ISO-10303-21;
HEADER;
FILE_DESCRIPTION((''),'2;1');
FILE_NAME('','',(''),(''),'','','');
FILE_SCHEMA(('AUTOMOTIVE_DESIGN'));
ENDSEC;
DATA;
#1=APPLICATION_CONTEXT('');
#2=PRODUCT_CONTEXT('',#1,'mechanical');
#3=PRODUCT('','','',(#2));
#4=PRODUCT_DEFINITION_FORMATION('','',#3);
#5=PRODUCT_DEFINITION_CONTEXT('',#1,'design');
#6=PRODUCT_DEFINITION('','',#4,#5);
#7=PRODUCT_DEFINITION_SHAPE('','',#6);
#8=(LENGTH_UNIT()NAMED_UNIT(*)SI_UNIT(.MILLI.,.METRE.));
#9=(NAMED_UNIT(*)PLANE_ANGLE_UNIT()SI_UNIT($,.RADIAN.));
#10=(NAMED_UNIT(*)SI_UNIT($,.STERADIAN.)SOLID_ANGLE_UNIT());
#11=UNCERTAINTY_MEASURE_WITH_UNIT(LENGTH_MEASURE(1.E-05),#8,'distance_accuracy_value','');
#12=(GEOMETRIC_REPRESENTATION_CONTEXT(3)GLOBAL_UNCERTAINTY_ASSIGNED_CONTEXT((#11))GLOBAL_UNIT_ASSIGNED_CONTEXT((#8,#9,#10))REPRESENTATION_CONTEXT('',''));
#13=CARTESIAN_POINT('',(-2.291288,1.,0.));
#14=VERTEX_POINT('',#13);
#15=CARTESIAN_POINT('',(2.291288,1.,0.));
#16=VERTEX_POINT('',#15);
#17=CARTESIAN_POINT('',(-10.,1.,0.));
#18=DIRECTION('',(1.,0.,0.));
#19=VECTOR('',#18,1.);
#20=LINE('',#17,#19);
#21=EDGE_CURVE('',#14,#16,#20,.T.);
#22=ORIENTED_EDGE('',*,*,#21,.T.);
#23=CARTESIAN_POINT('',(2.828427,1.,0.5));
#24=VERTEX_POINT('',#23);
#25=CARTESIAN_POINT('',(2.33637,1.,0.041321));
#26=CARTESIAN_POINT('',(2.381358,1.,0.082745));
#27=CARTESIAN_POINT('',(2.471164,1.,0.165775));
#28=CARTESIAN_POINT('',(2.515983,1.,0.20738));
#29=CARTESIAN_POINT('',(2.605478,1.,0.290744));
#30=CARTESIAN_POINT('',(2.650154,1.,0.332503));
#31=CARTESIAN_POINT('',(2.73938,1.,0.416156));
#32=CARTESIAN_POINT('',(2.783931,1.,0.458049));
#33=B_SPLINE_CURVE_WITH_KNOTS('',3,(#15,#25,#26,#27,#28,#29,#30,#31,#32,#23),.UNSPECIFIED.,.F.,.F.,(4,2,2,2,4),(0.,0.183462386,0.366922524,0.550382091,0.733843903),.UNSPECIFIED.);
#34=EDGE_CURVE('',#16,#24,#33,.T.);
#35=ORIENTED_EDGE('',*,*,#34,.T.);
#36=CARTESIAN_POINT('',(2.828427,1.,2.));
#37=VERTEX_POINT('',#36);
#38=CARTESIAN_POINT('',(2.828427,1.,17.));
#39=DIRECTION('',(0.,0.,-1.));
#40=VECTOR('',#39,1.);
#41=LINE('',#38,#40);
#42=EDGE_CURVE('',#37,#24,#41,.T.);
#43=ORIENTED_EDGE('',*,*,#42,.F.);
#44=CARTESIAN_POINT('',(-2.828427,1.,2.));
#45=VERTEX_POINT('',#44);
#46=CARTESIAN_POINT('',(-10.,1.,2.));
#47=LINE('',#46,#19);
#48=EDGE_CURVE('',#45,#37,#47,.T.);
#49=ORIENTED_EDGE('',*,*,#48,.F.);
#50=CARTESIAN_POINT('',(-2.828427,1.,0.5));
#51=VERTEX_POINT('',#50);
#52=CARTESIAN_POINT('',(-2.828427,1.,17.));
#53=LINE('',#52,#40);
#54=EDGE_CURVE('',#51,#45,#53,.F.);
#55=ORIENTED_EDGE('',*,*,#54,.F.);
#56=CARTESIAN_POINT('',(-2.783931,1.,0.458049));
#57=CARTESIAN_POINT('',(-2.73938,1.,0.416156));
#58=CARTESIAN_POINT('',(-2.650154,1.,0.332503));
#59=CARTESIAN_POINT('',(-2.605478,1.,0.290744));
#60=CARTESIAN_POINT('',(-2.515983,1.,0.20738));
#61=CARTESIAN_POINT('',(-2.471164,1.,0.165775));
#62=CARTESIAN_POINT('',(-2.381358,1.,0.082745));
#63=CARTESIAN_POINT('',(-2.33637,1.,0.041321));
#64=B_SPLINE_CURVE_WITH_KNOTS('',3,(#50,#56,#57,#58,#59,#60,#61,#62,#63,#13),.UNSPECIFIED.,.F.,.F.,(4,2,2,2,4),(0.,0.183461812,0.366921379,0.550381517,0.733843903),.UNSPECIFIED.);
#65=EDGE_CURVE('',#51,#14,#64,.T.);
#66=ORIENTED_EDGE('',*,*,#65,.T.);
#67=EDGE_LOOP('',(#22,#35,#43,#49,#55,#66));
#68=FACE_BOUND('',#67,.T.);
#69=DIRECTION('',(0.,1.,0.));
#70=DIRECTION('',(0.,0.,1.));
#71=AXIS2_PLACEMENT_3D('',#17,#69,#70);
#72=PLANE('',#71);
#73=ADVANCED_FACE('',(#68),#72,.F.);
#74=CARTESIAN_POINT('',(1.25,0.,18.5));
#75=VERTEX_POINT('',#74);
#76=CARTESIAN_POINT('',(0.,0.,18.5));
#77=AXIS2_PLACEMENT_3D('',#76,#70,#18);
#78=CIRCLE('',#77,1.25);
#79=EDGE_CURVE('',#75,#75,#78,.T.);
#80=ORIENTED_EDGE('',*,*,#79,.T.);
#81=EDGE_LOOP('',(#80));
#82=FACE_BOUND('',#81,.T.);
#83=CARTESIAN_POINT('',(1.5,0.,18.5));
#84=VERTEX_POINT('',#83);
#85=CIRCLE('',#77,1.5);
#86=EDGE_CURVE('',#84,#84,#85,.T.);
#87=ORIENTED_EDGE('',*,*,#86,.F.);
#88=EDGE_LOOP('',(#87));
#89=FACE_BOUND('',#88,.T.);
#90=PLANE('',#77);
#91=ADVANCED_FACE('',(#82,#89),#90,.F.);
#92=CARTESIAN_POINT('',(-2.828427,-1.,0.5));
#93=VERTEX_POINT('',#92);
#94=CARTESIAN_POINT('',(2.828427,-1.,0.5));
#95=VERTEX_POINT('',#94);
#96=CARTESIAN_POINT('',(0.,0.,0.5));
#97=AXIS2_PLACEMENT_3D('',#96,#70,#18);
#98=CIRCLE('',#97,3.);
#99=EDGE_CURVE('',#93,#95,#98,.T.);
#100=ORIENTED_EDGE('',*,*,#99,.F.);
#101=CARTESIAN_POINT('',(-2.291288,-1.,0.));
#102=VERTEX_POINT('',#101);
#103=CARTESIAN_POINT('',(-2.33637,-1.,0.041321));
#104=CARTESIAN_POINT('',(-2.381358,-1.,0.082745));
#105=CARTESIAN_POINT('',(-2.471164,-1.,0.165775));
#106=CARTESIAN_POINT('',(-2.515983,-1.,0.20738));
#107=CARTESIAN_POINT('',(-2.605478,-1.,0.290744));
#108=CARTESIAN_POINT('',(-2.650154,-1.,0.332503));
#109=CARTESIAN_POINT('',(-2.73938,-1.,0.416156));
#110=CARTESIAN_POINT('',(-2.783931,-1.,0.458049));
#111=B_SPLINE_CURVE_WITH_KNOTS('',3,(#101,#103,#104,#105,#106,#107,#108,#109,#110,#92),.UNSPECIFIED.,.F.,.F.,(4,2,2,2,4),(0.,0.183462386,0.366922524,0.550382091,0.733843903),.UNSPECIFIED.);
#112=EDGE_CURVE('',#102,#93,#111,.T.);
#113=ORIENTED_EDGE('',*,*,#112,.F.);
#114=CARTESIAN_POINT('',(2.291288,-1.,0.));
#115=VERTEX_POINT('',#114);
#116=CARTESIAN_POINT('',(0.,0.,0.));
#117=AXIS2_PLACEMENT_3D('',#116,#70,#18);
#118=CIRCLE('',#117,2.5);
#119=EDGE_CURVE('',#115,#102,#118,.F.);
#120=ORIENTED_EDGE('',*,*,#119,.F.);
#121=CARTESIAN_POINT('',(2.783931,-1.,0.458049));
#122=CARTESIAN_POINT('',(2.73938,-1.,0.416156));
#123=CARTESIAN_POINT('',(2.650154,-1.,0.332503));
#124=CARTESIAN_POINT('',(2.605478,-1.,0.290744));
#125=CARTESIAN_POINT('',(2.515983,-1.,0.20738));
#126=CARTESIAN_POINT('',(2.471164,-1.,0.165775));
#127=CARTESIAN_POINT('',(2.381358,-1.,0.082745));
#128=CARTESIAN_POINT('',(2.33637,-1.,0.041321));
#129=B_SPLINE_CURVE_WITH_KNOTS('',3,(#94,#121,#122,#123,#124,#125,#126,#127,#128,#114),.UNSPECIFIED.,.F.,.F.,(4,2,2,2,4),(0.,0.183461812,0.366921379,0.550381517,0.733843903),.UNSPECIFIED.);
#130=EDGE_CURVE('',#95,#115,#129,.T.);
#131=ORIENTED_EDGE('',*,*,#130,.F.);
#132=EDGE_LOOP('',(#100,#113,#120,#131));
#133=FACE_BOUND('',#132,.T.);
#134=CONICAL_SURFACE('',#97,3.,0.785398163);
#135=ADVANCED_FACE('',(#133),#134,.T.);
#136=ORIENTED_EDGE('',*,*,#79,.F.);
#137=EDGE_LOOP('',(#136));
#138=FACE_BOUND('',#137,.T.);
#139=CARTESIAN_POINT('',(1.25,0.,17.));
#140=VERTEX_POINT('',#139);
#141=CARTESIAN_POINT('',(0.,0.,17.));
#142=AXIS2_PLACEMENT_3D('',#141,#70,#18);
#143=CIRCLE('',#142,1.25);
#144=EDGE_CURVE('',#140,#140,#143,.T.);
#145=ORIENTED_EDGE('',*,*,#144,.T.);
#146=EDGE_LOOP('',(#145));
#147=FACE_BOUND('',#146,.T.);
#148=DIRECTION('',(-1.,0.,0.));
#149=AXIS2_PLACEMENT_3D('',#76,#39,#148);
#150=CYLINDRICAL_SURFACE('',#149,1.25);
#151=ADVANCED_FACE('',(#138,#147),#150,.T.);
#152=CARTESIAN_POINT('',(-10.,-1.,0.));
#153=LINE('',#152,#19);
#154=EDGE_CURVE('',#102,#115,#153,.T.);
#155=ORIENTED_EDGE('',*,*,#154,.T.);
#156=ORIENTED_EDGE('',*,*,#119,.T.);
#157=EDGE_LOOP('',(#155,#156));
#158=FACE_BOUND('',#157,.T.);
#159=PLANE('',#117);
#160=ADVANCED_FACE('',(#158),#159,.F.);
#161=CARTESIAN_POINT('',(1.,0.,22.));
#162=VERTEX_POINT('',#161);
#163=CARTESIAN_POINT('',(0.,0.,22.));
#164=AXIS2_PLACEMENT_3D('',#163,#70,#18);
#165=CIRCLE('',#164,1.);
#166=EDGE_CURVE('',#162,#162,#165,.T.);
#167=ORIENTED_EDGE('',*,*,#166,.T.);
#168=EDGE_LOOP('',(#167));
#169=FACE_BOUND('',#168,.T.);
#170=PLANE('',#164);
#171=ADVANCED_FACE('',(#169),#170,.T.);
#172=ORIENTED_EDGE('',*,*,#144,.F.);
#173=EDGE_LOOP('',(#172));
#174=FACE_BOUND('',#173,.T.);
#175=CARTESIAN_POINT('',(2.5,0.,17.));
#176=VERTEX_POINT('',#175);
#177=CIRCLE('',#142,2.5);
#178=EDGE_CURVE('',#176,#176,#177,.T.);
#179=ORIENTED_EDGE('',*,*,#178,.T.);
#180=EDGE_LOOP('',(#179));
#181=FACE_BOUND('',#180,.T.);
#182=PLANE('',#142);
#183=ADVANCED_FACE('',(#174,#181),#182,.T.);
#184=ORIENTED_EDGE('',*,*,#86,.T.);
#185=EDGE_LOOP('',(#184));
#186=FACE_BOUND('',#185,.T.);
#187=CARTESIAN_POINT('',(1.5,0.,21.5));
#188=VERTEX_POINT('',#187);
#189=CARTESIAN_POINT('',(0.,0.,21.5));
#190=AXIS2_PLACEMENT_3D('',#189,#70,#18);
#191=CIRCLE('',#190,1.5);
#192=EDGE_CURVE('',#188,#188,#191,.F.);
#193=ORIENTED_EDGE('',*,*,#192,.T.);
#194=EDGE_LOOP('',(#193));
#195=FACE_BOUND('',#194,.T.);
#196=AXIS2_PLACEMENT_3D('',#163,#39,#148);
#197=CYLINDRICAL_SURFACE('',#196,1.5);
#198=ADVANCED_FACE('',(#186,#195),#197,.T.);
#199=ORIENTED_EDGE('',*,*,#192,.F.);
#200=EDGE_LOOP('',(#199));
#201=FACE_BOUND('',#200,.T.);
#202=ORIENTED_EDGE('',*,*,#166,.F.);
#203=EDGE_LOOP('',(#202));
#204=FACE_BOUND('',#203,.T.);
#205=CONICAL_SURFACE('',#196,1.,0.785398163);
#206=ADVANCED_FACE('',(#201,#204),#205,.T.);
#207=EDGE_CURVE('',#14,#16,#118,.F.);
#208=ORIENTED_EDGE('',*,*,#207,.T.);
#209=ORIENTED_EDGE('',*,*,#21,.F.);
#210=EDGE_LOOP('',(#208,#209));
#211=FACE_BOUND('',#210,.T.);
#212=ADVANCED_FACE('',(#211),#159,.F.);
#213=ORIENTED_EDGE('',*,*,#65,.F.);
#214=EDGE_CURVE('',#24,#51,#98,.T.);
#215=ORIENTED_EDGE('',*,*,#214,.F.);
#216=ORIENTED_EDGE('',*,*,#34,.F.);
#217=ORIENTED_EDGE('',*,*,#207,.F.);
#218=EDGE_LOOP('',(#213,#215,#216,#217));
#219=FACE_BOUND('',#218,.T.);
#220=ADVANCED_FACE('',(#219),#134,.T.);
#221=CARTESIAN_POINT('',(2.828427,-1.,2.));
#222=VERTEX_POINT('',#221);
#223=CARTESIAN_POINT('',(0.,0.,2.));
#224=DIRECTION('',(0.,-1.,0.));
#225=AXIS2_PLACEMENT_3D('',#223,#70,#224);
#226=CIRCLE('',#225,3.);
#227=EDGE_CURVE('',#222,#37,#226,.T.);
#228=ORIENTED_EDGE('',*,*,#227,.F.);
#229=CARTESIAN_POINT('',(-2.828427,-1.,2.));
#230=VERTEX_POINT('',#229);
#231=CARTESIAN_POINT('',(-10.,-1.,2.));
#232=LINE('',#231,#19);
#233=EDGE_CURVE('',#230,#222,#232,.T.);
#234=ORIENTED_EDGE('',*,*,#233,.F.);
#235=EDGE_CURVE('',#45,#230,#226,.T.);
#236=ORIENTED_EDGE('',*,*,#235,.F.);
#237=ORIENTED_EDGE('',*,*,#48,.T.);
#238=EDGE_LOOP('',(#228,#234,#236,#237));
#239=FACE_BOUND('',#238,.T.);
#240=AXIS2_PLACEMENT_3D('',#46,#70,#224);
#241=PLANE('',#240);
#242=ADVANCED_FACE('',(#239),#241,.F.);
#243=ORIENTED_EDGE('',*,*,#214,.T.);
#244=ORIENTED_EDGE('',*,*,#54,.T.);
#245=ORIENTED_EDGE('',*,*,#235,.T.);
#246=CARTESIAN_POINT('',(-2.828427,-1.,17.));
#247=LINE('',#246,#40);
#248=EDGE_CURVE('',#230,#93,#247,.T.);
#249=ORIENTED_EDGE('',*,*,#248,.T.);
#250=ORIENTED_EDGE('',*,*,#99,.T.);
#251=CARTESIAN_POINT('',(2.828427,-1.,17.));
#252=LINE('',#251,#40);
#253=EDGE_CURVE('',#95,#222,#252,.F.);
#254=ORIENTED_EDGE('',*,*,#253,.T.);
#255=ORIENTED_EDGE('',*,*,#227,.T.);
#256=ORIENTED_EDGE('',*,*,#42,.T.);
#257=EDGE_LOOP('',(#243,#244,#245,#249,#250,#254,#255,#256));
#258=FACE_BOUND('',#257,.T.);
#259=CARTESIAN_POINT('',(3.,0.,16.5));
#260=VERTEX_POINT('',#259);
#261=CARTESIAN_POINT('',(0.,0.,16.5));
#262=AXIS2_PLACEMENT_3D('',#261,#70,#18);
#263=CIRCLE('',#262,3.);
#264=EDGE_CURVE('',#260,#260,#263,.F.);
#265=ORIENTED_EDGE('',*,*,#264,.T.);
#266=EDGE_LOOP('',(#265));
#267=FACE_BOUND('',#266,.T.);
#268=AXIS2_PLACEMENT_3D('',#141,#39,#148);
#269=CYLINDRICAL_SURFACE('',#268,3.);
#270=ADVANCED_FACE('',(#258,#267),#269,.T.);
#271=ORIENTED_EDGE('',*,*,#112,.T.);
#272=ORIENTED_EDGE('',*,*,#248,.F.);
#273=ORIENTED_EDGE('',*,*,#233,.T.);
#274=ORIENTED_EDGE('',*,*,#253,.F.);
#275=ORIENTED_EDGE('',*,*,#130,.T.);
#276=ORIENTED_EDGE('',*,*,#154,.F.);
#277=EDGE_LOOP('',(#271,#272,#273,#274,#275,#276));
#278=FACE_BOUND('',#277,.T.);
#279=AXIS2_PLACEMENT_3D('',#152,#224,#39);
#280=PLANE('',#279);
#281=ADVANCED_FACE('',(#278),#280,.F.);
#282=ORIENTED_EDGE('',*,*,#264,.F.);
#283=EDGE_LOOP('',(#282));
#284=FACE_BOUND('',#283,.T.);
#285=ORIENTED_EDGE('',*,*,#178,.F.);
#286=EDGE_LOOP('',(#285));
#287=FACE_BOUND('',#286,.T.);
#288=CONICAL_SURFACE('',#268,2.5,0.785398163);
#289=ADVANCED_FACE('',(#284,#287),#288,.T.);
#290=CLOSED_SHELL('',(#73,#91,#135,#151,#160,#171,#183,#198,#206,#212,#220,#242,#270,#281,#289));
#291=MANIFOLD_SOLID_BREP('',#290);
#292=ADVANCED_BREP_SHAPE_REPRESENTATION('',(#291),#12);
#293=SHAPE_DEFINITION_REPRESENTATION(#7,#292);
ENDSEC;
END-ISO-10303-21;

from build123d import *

# Parameters (mm, degrees)
SKETCH_1_R          = 3
EXTRUDE_1_DEPTH     = 17
SKETCH_2_R          = 1.5
EXTRUDE_2_DEPTH     = 5
CHAMFER_1_SIZE      = 0.5
SKETCH_3_R          = 1.5
SKETCH_3_R_2        = 1.25
CUT_EXTRUDE_3_DEPTH = 1.5
SKETCH_4_W          = 2
SKETCH_4_H          = 2
CUT_EXTRUDE_4_DEPTH = 10
CHAMFER_2_SIZE      = 0.5


with BuildPart() as part:
    # 草图1 → 拉伸1 (new body)
    with BuildSketch(Plane.XY):
        Circle(SKETCH_1_R)
    extrude(amount=EXTRUDE_1_DEPTH)

    # 草图2 → 拉伸2 (add)
    with BuildSketch(Plane.XY.offset(17)):
        Circle(SKETCH_2_R)
    extrude(amount=EXTRUDE_2_DEPTH)

    # 倒角1
    chamfer_1_edges = [part.edges().sort_by_distance(p)[0] for p in [
        (-1.5, 0, 22),
    ]]
    chamfer(chamfer_1_edges, length=CHAMFER_1_SIZE)

    # 草图3 → 拉伸3 (cut)
    with BuildSketch(Plane.XY.offset(17)):
        Circle(SKETCH_3_R)
        Circle(SKETCH_3_R_2, mode=Mode.SUBTRACT)
    extrude(amount=CUT_EXTRUDE_3_DEPTH, mode=Mode.SUBTRACT)

    # 草图4 → 拉伸4 (cut, symmetric)
    with BuildSketch(Plane(origin=(0, 0, 0), x_dir=(0, 0, -1), z_dir=(1, 0, 0))):
        with Locations((-1, 0)):
            Rectangle(SKETCH_4_W, SKETCH_4_H)
    extrude(amount=CUT_EXTRUDE_4_DEPTH, both=True, mode=Mode.SUBTRACT)

    # 倒角2
    chamfer_2_edges = [part.edges().sort_by_distance(p)[0] for p in [
        (0, 3, 0),
        (0, -3, 0),
        (-3, 0, 17),
    ]]
    chamfer(chamfer_2_edges, length=CHAMFER_2_SIZE)


solid = part.part
